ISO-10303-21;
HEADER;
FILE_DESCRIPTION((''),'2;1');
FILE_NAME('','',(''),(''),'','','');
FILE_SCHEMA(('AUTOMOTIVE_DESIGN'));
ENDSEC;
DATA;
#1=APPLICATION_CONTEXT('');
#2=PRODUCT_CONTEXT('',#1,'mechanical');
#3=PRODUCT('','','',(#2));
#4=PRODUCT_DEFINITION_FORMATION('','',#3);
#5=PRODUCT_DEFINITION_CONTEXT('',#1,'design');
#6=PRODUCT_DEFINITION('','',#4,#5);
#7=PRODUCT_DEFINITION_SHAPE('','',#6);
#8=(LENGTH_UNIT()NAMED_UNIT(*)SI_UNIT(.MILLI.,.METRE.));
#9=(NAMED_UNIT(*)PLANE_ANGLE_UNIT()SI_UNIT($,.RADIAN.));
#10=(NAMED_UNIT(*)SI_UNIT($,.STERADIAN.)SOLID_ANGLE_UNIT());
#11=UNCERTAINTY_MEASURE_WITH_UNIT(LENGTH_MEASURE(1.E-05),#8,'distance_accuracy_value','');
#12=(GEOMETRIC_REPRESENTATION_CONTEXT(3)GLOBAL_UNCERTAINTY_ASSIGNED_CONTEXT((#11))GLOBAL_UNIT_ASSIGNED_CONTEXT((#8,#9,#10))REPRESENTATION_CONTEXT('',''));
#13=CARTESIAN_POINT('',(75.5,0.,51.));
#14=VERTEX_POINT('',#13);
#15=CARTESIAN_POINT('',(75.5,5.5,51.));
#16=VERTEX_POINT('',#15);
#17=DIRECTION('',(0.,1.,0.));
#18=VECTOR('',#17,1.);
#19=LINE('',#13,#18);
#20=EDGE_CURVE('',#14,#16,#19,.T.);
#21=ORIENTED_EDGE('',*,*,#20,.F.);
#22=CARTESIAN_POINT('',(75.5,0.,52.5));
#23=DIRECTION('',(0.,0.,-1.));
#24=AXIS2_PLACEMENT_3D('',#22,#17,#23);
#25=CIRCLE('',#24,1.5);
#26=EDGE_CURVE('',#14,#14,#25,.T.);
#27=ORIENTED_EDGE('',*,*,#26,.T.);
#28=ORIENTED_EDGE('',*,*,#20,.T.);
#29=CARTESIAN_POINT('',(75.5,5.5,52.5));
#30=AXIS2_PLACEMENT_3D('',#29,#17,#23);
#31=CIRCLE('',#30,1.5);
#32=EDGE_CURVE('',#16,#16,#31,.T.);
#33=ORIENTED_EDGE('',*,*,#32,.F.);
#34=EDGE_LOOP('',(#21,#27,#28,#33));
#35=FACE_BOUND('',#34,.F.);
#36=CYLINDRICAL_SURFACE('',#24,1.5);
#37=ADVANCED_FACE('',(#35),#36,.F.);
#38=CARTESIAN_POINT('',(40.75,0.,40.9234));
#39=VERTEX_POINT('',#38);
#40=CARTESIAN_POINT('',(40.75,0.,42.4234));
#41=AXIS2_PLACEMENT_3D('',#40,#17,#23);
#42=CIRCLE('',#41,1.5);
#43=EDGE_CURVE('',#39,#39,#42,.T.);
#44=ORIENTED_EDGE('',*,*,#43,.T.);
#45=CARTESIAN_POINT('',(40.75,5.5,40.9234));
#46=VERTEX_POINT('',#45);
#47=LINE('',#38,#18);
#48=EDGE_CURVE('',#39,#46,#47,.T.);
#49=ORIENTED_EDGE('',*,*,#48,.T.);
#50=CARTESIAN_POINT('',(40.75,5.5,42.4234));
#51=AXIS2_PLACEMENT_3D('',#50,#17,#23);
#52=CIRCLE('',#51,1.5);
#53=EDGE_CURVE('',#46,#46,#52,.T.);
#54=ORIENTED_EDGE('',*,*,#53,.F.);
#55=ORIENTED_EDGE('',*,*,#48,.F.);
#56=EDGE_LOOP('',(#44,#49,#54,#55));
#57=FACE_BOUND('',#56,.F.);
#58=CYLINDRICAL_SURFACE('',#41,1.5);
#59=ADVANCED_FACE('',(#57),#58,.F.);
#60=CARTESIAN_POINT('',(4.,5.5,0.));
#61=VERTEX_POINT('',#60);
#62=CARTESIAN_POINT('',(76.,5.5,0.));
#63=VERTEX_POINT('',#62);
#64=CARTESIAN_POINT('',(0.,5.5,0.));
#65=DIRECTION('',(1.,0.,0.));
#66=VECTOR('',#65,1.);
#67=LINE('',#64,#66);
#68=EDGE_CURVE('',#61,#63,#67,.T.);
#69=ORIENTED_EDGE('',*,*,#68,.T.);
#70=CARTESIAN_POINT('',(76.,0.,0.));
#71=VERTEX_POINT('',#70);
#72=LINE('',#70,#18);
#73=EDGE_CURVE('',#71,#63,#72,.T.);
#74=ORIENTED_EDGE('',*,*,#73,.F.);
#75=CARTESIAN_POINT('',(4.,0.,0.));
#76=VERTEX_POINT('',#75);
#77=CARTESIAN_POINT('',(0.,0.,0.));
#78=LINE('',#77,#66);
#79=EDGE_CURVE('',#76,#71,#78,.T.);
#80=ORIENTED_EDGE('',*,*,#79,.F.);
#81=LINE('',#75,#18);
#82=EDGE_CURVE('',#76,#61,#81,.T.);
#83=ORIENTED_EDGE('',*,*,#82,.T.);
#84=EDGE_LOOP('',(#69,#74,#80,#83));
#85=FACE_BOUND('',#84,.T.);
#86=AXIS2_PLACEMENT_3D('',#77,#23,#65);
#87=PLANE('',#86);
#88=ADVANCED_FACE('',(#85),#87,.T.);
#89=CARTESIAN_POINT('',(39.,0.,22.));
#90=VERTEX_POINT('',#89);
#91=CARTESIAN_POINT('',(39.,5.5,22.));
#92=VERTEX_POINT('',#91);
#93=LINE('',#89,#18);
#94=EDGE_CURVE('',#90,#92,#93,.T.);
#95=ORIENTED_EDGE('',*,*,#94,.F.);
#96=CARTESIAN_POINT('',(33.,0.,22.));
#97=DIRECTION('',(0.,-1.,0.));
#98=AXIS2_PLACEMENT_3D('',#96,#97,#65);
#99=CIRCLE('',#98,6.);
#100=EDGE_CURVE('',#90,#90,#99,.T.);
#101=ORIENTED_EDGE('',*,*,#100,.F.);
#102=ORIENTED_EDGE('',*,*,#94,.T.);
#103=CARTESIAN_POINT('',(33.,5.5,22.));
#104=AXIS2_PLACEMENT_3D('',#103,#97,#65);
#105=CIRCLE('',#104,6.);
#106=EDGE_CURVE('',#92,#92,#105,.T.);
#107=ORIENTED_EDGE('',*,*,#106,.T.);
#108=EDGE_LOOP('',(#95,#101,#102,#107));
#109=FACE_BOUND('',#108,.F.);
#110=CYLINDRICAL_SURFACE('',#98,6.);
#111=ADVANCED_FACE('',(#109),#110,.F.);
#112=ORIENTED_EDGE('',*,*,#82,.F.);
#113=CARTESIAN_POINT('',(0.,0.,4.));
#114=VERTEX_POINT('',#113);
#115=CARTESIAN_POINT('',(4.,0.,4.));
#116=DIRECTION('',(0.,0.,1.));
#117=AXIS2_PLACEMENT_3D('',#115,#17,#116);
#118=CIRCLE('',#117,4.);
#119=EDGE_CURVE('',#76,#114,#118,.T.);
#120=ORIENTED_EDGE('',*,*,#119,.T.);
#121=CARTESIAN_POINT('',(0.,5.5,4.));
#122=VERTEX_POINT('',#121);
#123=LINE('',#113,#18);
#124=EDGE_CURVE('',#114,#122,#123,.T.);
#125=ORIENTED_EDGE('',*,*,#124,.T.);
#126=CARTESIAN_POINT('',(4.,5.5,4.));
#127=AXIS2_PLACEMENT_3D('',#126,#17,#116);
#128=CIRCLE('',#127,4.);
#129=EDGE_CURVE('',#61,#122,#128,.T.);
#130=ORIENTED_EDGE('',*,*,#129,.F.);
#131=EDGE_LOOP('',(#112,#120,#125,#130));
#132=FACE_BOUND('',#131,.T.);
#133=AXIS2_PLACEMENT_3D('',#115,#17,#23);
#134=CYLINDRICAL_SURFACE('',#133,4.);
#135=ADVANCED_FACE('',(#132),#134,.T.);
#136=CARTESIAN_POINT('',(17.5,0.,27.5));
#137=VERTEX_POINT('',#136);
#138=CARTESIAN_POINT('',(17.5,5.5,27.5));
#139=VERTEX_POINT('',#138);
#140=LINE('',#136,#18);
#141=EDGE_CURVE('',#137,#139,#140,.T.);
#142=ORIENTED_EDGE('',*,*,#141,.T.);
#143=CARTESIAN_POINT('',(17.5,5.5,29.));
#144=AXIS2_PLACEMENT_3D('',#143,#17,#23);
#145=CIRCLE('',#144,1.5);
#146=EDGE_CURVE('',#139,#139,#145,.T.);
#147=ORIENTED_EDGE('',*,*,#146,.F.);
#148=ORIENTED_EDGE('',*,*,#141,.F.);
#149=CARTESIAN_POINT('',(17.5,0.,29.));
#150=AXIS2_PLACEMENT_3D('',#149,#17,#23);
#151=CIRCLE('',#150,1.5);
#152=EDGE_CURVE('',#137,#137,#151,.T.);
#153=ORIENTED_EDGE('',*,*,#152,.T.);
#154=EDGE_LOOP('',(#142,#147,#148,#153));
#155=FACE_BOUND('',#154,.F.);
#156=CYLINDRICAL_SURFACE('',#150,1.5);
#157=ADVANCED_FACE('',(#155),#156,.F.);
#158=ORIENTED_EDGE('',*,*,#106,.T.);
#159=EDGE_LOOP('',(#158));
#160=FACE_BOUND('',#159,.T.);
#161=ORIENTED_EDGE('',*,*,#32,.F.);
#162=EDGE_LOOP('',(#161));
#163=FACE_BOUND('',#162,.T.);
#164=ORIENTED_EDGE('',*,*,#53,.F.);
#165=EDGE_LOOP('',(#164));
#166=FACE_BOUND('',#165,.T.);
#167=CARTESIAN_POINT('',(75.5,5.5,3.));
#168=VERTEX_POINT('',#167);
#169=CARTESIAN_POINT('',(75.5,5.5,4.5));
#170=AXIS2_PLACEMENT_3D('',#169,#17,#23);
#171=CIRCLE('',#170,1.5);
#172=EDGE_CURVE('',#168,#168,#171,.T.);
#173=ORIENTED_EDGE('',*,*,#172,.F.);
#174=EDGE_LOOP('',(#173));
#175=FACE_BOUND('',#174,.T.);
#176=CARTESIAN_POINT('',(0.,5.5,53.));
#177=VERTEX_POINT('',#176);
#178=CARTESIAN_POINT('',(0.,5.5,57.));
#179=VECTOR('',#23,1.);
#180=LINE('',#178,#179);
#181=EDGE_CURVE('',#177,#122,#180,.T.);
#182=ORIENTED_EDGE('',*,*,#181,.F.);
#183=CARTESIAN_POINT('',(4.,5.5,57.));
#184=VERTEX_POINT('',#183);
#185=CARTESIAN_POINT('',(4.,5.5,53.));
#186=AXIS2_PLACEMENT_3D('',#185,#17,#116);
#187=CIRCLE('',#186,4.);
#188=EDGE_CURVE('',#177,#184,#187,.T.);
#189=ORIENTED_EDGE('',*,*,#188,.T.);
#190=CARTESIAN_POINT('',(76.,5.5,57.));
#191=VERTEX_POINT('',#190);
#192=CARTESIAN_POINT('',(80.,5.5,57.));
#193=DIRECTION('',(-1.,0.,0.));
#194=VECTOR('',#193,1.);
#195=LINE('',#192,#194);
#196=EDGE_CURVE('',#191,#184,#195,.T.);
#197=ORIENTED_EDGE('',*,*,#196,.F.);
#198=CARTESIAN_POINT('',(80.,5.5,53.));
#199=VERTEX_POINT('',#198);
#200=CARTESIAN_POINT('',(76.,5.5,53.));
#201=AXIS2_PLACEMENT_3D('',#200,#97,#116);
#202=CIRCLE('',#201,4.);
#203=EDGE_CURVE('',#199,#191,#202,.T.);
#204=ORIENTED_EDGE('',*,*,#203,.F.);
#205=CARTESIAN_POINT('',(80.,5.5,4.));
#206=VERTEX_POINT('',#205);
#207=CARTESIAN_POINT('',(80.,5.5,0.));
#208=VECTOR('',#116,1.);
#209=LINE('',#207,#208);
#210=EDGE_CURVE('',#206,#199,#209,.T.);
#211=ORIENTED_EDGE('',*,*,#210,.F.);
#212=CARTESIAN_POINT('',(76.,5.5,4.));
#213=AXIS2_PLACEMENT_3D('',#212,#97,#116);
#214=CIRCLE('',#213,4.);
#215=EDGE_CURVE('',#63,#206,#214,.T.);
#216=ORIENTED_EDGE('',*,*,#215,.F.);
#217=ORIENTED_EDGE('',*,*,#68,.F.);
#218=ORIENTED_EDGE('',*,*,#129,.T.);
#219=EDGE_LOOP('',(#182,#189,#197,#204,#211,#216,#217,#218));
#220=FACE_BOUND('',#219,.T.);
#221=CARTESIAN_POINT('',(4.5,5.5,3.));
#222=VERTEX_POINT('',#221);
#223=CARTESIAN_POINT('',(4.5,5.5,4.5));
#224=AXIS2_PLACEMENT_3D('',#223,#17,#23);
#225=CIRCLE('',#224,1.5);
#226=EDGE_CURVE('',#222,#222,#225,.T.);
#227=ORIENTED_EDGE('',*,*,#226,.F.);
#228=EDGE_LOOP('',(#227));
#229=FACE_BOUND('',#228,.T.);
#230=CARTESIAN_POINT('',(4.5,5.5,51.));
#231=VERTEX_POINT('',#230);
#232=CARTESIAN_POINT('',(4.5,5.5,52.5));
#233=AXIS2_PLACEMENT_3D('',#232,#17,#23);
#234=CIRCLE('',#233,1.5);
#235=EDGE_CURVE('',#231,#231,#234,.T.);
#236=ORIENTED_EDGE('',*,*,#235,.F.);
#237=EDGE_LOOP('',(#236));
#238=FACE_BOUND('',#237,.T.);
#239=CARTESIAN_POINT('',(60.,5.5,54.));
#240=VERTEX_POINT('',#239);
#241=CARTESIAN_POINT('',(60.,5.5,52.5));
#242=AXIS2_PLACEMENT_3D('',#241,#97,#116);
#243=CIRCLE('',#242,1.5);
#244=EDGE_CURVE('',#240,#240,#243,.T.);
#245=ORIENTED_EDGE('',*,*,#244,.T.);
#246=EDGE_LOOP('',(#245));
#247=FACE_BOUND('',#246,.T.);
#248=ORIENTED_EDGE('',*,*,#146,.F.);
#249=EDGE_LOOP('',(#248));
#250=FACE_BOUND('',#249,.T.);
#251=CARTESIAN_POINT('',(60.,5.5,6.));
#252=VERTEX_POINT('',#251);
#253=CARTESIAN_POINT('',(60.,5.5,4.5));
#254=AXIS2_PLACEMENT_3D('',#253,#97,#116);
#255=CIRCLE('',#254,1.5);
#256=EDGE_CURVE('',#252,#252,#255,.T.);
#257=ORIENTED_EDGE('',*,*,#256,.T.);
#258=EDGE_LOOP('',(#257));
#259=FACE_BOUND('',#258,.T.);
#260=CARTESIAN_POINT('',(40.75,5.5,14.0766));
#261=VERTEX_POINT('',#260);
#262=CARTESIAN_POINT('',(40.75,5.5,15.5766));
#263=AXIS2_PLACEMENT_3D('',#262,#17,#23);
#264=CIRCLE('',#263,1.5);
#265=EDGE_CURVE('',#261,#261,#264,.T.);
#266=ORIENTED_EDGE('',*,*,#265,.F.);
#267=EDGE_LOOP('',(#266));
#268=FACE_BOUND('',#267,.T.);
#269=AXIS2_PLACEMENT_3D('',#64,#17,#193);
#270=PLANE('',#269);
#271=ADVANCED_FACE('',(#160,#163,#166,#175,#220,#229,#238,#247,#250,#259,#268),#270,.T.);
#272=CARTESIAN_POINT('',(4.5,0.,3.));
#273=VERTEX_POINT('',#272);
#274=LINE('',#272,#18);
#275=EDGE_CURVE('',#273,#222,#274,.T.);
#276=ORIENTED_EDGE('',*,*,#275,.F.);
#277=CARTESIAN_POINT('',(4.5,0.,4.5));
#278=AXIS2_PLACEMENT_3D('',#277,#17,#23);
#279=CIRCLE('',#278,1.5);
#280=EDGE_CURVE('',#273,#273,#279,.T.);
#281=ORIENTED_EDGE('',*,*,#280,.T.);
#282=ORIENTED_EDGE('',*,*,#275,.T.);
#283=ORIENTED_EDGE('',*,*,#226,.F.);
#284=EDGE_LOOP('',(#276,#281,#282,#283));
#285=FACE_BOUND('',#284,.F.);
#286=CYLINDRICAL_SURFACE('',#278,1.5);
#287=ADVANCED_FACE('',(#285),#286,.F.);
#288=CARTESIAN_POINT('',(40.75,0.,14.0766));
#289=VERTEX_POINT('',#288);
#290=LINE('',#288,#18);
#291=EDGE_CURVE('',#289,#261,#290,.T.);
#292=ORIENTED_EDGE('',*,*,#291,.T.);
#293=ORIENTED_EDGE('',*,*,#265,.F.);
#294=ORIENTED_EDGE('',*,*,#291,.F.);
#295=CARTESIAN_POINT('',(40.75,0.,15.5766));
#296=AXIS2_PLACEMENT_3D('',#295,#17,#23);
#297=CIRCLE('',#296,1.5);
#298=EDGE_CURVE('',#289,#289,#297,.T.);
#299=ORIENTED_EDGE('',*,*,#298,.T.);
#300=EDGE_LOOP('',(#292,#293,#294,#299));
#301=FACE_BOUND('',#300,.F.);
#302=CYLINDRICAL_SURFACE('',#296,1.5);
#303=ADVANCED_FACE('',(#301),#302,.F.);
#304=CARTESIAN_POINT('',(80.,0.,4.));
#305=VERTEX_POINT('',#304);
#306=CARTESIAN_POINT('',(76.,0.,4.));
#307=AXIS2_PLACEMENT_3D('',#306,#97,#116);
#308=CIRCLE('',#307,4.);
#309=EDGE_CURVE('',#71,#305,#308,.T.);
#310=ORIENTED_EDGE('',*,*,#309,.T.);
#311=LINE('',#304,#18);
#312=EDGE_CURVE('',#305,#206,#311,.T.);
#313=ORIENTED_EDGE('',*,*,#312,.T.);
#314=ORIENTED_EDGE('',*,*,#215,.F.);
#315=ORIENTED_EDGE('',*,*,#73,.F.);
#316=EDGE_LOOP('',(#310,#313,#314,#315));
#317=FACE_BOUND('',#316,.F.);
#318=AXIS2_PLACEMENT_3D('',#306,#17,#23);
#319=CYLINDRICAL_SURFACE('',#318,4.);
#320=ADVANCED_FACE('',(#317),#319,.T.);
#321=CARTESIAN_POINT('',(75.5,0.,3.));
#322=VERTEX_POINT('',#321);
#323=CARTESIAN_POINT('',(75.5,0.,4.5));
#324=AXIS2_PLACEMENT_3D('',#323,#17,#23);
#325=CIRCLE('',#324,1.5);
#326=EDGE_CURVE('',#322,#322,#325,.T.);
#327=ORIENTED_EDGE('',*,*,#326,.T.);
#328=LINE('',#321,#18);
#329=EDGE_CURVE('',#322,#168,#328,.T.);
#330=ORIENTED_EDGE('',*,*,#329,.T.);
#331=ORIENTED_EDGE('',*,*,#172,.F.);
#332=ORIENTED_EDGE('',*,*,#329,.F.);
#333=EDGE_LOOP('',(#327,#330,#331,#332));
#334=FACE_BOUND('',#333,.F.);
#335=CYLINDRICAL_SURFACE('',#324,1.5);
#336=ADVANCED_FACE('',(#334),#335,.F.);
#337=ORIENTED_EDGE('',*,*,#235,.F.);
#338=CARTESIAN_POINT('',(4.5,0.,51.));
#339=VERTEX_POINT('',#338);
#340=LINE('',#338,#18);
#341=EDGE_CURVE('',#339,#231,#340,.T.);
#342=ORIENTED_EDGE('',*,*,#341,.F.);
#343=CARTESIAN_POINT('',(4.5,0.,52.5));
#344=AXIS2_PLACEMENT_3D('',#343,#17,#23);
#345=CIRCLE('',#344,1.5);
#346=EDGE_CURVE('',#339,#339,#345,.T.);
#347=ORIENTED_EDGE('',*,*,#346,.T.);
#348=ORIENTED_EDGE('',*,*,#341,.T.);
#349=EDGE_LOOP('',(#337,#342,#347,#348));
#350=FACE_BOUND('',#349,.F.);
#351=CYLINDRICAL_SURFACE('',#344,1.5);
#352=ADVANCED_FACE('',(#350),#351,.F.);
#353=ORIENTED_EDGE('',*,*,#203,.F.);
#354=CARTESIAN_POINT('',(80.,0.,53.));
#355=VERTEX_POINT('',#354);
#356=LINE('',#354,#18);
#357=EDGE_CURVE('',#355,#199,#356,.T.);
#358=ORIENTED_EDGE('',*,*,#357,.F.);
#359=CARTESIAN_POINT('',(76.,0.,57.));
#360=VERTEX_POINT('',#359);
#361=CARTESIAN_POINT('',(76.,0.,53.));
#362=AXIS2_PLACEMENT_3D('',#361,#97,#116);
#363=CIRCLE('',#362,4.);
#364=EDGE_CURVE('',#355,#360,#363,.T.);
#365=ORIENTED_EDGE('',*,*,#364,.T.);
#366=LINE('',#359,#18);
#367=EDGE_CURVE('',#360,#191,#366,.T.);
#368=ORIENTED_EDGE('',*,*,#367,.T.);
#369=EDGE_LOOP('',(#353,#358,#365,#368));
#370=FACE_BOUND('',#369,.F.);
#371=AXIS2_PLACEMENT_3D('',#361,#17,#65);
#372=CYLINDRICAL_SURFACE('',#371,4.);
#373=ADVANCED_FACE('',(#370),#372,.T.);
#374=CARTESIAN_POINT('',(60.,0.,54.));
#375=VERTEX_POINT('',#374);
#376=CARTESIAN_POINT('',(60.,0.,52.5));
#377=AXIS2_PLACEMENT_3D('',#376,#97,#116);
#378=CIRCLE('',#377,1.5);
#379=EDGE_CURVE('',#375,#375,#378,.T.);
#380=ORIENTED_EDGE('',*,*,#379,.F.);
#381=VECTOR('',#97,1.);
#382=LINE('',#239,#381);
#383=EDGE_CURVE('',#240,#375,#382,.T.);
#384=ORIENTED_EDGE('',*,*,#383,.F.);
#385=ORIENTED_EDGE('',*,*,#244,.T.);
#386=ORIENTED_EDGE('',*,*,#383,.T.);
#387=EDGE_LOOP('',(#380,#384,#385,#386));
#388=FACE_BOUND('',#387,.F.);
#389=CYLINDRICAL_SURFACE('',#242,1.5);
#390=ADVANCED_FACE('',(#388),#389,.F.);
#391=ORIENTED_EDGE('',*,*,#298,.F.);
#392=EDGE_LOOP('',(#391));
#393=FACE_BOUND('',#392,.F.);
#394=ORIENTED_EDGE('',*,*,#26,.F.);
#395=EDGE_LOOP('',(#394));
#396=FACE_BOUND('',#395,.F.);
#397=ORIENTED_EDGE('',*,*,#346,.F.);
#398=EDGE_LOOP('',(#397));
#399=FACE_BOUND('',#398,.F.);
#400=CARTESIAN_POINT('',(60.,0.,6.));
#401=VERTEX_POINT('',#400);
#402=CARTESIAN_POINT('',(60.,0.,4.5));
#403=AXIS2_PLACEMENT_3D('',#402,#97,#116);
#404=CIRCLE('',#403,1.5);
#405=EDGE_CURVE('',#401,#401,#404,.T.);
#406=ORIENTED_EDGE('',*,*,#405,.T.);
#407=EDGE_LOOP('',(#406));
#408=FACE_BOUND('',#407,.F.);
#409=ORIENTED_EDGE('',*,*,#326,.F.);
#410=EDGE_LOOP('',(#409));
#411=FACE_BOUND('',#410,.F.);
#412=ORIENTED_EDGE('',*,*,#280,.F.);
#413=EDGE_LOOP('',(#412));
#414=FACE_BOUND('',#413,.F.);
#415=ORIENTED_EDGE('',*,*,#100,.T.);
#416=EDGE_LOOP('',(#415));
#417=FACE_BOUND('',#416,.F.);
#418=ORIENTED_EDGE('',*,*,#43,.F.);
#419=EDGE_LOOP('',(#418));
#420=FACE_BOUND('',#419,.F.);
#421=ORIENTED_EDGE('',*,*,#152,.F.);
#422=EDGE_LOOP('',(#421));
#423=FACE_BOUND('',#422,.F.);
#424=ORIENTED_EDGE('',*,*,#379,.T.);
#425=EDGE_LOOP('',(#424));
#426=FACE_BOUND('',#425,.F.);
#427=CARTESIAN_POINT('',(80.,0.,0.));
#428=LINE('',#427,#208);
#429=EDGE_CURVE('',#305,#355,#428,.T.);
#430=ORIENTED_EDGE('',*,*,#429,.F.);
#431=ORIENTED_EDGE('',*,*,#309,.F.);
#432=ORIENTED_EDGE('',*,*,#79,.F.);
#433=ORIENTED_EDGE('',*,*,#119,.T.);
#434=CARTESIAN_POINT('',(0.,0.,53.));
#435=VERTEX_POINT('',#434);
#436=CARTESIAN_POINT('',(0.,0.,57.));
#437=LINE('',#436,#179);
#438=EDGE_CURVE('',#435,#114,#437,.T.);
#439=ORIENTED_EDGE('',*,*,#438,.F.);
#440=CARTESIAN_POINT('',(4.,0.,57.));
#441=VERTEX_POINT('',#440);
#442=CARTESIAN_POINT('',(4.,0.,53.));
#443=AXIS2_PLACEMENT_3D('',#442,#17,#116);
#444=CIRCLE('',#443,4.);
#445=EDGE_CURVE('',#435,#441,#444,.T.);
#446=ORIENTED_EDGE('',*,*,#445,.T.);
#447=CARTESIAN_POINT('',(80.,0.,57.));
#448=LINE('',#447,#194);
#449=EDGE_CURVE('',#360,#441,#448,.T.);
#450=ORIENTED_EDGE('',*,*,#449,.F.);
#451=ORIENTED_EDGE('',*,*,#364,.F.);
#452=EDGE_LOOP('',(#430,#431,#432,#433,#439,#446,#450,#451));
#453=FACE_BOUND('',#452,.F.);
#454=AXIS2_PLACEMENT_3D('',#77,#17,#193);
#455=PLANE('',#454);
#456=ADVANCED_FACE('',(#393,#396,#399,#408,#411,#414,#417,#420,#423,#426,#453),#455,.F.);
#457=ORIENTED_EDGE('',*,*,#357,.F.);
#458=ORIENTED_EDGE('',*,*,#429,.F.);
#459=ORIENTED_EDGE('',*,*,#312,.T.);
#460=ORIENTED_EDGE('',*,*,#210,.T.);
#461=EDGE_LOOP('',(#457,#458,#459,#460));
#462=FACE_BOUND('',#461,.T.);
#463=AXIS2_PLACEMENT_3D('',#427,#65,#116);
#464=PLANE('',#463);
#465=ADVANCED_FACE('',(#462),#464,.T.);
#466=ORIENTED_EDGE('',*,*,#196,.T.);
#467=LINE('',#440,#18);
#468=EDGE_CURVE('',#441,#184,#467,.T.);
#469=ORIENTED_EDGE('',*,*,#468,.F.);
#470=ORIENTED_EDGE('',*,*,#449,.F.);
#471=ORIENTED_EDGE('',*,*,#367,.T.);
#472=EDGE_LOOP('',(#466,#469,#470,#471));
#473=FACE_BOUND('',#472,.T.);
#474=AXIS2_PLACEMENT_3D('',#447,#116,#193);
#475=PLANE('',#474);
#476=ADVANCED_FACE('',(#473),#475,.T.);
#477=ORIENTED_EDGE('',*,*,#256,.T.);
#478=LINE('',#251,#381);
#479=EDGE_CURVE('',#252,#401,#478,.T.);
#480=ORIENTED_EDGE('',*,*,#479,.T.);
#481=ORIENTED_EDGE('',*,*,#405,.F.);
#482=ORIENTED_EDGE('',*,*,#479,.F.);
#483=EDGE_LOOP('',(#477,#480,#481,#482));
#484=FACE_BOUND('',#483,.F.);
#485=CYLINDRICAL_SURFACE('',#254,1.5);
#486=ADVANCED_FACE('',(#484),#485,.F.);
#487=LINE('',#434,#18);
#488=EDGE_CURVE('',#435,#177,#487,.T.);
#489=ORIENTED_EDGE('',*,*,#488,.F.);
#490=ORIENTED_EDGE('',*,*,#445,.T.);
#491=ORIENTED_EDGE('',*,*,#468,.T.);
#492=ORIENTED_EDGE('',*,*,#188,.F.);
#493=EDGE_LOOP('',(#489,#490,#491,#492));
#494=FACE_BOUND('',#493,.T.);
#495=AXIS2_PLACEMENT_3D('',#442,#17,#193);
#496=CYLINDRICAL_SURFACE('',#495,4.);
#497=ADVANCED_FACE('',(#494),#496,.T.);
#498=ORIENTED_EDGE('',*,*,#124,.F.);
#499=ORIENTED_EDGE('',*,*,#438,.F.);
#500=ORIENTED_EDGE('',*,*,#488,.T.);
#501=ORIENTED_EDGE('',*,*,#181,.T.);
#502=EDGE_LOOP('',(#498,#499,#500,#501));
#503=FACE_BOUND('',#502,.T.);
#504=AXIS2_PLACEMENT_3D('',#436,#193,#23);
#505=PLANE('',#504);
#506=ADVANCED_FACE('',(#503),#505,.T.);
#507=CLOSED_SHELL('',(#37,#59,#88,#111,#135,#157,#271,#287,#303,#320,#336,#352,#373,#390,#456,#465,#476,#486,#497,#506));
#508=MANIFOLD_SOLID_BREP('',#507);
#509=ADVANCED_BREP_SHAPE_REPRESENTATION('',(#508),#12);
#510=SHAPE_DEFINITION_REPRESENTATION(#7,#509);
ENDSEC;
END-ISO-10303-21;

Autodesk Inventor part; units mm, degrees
ref_plane "YZ Plane" through (0, 0, 0) normal (1, 0, 0) x (0, 1, 0)
ref_plane "XZ Plane" through (0, 0, 0) normal (0, 1, 0) x (-1, 0, 0)
ref_plane "XY Plane" through (0, 0, 0) normal (0, 0, 1) x (1, 0, 0)
sketch "スケッチ1" plane through (0, 0, 0) normal (0, 1, 0) x (-1, 0, 0)
  line L0 (0, 0) -> (-80, 0)
  line L1 (-80, 0) -> (-80, 57)
  line L2 (-80, 57) -> (0, 57)
  line L3 (0, 57) -> (0, 0)
  dimension "d2" = 80
  dimension "d3" = 57
extrude "押し出し1" add sketch "スケッチ1" along normal blind 5.5
sketch "スケッチ2" plane through (0, 0, 0) normal (0, -1, 0) x (1, 0, 0)
  line L0 (80, 0) -> (0, 0) projected
  line L1 (80, 57) -> (80, 0) projected
  line L2 (0, 0) -> (0, 57) projected
  line L3 (0, 57) -> (80, 57) projected
  point P0 (75.5, 4.5)
  point P1 (4.5, 4.5)
  point P2 (4.5, 52.5)
  point P3 (75.5, 52.5)
  dimension "d4" = 4.5
  dimension "d5" = 4.5
  dimension "d6" = 4.5
  dimension "d7" = 4.5
  dimension "d8" = 4.5
  dimension "d9" = 4.5
  dimension "d10" = 4.5
  dimension "d11" = 4.5
hole "穴1" at (75.5, 0, 4.5) at (4.5, 0, 4.5) at (4.5, 0, 52.5) at (75.5, 0, 52.5) direction (0, 1, 0) diameter 3 end through all
fillet "フィレット1" radius 4 4 edges at (80, 2.75, 0) (0, 2.75, 0) (80, 2.75, 57) (0, 2.75, 57)
sketch "スケッチ3" plane through (0, 0, 0) normal (0, -1, 0) x (1, 0, 0)
  circle A0 centre (33, 29) radius 15.5
  line L0 (0, 4) -> (0, 53) projected
  line L1 (80, 53) -> (80, 4) projected
  line L2 (4, 57) -> (76, 57) projected
  line L3 (33, 29) -> (17.5, 29)
  line L4 (33, 29) -> (40.75, 15.5766)
  line L5 (33, 29) -> (40.75, 42.4234)
  point P0 (0, 0)
  dimension "d20" = 31
  dimension "d21" = 80
  dimension "d22" = 47
  dimension "d23" = 28
  dimension "d24" = 120
  dimension "d25" = 120
hole "穴2" at (40.75, 0, 15.5766) at (40.75, 0, 42.4234) at (17.5, 0, 29) direction (0, 1, 0) diameter 3 end through all
sketch "スケッチ4" plane through (0, 0, 0) normal (0, -1, 0) x (1, 0, 0)
  circle A0 centre (33, 22) radius 6
  line L0 (80, 53) -> (80, 4) projected
  line L1 (4, 57) -> (76, 57) projected
  point P0 (0, 0)
  dimension "d33" = 12
  dimension "d34" = 47
  dimension "d35" = 35
extrude "押し出し2" cut sketch "スケッチ4" against normal through all
sketch "スケッチ5" plane through (0, 5.5, 0) normal (0, 1, 0) x (1, 0, 0)
  line L0 (4, -57) -> (76, -57) projected
  line L1 (80, -53) -> (80, -4) projected
  line L2 (76, 0) -> (4, 0) projected
  point P0 (0, 0)
  point P1 (60, -52.5)
  point P2 (60, -4.5)
  dimension "d38" = 4.5
  dimension "d39" = 20
  dimension "d40" = 20
  dimension "d41" = 4.5
hole "穴3" at (60, 5.5, 52.5) at (60, 5.5, 4.5) direction (0, -1, 0) diameter 3 end through all
equation "\"d7\" = d5"
equation "\"d8\" = d5"
equation "\"d9\" = d5"
equation "\"d10\" = d5"
equation "\"d11\" = d5"
properties part number "上下直動t5.5" material "木材 (カエデ材)"
